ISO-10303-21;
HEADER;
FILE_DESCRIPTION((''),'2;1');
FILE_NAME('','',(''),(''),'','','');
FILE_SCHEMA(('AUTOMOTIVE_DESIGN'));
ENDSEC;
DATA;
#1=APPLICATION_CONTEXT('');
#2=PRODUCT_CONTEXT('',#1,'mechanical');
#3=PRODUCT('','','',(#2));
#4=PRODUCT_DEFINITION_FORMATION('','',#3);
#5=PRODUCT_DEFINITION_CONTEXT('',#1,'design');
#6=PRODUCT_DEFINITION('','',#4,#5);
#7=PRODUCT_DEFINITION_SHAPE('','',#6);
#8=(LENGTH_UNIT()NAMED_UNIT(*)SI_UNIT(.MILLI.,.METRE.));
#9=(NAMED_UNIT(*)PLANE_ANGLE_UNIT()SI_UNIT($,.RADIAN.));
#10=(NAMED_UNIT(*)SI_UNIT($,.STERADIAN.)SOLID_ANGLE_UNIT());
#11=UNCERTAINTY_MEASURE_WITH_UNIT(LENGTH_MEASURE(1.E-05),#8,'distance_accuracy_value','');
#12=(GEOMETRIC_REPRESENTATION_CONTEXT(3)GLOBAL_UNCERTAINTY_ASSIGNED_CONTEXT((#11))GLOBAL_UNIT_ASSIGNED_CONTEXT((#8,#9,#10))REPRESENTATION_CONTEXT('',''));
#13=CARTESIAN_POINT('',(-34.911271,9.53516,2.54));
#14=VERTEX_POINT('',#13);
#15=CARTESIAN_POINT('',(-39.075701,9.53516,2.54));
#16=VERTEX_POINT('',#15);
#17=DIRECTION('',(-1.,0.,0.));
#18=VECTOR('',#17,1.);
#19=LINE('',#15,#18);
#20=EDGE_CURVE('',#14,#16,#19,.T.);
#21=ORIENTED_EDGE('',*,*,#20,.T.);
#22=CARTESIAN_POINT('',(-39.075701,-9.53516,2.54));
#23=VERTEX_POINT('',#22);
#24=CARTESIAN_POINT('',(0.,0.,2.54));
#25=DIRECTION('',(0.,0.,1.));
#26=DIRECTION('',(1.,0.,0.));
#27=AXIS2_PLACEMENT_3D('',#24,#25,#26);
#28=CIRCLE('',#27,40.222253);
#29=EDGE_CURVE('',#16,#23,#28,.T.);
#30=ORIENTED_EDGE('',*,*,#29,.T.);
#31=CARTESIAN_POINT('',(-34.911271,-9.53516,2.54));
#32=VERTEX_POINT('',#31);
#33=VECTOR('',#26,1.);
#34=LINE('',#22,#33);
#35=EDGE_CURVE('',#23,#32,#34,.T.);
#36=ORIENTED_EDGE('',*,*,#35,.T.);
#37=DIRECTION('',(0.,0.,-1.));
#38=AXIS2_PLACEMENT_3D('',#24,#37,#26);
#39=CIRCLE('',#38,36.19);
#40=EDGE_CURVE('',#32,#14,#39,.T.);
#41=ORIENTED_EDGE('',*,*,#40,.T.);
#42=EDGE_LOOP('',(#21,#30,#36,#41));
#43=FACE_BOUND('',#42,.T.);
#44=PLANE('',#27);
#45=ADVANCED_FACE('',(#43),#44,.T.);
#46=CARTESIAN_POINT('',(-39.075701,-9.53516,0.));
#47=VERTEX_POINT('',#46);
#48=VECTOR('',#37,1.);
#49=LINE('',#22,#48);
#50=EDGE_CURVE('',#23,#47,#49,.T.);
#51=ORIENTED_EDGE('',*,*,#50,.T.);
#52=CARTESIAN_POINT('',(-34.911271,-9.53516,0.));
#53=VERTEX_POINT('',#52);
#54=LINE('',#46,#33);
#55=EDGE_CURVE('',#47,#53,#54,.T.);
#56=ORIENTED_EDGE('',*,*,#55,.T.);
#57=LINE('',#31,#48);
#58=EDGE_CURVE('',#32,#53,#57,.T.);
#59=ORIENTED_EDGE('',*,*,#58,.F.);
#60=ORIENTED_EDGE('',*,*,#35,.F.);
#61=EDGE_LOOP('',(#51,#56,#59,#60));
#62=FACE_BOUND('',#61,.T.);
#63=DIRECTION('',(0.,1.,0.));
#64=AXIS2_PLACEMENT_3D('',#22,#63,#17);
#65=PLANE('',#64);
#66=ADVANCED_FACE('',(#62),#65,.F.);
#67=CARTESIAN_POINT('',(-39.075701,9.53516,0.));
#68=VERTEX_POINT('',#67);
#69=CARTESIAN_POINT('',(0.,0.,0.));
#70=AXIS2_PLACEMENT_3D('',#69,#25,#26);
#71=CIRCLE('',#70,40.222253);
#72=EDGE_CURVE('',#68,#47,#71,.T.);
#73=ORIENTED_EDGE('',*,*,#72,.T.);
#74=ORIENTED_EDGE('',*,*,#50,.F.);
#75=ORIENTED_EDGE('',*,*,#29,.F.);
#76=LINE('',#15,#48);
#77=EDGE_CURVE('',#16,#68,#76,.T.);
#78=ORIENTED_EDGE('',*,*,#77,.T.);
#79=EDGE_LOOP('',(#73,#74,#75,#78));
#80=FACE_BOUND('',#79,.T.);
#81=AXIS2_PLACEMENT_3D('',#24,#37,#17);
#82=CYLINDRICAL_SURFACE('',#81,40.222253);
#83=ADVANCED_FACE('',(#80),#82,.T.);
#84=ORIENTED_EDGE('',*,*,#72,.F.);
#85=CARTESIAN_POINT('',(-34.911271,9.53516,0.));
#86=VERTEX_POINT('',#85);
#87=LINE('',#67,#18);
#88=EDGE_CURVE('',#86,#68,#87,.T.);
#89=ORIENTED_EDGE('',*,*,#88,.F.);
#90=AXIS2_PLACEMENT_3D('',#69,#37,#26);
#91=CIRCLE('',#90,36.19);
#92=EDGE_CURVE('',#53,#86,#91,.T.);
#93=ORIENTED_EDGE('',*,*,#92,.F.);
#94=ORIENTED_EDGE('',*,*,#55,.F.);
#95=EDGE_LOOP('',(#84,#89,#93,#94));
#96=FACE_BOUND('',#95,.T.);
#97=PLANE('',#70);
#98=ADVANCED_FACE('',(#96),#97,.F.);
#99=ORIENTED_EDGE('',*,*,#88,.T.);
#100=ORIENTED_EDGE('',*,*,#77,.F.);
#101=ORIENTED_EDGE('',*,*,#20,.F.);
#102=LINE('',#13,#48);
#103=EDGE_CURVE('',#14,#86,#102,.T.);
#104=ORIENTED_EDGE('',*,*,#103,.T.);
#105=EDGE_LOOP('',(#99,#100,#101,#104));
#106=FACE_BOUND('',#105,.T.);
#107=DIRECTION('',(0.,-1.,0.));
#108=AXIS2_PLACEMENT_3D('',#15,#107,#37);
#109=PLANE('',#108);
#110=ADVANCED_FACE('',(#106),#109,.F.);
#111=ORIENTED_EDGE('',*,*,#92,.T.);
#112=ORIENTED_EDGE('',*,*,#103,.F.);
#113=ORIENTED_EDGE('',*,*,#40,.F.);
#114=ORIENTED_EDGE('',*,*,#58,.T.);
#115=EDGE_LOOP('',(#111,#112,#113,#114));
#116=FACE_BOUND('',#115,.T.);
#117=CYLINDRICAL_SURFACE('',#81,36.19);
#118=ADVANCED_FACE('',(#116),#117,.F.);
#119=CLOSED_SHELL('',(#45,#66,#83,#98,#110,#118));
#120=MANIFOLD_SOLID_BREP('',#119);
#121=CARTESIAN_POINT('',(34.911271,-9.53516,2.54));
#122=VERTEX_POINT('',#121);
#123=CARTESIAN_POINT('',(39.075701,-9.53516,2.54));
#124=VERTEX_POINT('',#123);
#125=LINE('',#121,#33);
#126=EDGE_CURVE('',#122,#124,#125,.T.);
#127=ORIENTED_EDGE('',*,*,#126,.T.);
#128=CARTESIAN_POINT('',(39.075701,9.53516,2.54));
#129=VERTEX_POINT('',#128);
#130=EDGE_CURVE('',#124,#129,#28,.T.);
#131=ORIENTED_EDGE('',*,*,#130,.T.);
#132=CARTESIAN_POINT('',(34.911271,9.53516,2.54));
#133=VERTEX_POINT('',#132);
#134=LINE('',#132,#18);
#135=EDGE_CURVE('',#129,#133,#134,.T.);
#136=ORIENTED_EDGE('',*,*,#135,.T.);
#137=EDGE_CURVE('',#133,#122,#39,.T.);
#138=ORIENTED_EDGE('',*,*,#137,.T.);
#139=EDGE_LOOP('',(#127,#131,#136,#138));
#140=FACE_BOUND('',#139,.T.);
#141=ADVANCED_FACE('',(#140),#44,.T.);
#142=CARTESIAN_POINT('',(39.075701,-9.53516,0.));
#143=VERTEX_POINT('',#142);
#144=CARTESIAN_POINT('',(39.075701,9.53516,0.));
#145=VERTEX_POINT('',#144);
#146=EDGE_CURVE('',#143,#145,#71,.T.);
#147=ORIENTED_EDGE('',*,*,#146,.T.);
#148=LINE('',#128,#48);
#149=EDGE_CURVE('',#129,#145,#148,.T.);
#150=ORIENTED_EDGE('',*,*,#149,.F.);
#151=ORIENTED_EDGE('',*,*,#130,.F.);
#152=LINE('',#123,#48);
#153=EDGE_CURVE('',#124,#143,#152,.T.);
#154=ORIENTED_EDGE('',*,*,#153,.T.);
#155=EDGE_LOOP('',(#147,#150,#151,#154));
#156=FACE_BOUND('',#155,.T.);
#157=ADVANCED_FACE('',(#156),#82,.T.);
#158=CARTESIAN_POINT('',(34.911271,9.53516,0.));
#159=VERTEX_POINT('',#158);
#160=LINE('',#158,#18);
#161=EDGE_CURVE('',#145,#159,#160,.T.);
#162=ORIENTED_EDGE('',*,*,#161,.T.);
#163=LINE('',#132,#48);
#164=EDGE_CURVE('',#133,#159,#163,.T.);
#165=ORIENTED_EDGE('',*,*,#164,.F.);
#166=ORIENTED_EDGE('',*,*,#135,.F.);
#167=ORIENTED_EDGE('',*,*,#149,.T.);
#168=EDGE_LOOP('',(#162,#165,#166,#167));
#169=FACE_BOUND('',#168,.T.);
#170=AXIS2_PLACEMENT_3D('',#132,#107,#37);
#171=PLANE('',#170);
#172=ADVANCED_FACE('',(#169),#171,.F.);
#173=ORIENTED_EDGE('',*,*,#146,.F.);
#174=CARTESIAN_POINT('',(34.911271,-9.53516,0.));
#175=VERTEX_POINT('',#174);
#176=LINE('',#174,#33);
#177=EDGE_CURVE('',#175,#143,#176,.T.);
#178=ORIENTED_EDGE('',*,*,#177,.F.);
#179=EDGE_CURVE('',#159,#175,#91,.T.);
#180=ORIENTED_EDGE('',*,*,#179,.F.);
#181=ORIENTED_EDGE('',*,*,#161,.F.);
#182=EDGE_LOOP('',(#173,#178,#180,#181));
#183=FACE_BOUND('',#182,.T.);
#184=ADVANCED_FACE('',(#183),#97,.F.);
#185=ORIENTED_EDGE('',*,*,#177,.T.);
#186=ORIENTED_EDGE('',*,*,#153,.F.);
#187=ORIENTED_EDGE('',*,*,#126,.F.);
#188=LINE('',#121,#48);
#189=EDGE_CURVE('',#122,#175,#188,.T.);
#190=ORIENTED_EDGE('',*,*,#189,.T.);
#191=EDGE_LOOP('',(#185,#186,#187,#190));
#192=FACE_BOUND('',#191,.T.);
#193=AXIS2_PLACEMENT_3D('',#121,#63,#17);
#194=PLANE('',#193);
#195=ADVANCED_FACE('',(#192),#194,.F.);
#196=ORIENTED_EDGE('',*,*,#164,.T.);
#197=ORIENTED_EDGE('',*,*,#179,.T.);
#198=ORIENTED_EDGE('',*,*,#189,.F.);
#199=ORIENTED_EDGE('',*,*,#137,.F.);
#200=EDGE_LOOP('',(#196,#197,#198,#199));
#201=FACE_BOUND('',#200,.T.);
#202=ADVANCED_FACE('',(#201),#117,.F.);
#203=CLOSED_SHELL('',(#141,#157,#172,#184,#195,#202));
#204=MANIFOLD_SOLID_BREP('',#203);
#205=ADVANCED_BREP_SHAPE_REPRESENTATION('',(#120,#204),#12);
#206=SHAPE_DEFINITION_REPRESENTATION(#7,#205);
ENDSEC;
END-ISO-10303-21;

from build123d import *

# Parameters (mm, degrees)
BOSS_EXTRUDE1_DEPTH   = 2.54
BOSS_EXTRUDE1_2_DEPTH = 2.54


with BuildPart() as part:
    # Sketch1 → Boss-Extrude1 (new body)
    with BuildSketch(Plane.XY):
        with BuildLine():
            Line((-39.075700874, 9.53516), (-34.911270727, 9.53516))
            ThreePointArc((-34.911270727, 9.53516), (-36.19, 0), (-34.911270727, -9.53516))
            Line((-34.911270727, -9.53516), (-39.075700874, -9.53516))
            ThreePointArc((-39.075700874, -9.53516), (-40.22225348, 0), (-39.075700874, 9.53516))
        make_face()
    extrude(amount=BOSS_EXTRUDE1_DEPTH)


with BuildPart() as body_2:
    # Sketch1 → Boss-Extrude1 2 (new body)
    with BuildSketch(Plane.XY):
        with BuildLine():
            Line((34.911270727, -9.53516), (39.075700874, -9.53516))
            ThreePointArc((39.075700874, -9.53516), (40.22225348, 0), (39.075700874, 9.53516))
            Line((39.075700874, 9.53516), (34.911270727, 9.53516))
            ThreePointArc((34.911270727, 9.53516), (36.19, 0), (34.911270727, -9.53516))
        make_face()
    extrude(amount=BOSS_EXTRUDE1_2_DEPTH)


solid = Compound([part.part, body_2.part])
